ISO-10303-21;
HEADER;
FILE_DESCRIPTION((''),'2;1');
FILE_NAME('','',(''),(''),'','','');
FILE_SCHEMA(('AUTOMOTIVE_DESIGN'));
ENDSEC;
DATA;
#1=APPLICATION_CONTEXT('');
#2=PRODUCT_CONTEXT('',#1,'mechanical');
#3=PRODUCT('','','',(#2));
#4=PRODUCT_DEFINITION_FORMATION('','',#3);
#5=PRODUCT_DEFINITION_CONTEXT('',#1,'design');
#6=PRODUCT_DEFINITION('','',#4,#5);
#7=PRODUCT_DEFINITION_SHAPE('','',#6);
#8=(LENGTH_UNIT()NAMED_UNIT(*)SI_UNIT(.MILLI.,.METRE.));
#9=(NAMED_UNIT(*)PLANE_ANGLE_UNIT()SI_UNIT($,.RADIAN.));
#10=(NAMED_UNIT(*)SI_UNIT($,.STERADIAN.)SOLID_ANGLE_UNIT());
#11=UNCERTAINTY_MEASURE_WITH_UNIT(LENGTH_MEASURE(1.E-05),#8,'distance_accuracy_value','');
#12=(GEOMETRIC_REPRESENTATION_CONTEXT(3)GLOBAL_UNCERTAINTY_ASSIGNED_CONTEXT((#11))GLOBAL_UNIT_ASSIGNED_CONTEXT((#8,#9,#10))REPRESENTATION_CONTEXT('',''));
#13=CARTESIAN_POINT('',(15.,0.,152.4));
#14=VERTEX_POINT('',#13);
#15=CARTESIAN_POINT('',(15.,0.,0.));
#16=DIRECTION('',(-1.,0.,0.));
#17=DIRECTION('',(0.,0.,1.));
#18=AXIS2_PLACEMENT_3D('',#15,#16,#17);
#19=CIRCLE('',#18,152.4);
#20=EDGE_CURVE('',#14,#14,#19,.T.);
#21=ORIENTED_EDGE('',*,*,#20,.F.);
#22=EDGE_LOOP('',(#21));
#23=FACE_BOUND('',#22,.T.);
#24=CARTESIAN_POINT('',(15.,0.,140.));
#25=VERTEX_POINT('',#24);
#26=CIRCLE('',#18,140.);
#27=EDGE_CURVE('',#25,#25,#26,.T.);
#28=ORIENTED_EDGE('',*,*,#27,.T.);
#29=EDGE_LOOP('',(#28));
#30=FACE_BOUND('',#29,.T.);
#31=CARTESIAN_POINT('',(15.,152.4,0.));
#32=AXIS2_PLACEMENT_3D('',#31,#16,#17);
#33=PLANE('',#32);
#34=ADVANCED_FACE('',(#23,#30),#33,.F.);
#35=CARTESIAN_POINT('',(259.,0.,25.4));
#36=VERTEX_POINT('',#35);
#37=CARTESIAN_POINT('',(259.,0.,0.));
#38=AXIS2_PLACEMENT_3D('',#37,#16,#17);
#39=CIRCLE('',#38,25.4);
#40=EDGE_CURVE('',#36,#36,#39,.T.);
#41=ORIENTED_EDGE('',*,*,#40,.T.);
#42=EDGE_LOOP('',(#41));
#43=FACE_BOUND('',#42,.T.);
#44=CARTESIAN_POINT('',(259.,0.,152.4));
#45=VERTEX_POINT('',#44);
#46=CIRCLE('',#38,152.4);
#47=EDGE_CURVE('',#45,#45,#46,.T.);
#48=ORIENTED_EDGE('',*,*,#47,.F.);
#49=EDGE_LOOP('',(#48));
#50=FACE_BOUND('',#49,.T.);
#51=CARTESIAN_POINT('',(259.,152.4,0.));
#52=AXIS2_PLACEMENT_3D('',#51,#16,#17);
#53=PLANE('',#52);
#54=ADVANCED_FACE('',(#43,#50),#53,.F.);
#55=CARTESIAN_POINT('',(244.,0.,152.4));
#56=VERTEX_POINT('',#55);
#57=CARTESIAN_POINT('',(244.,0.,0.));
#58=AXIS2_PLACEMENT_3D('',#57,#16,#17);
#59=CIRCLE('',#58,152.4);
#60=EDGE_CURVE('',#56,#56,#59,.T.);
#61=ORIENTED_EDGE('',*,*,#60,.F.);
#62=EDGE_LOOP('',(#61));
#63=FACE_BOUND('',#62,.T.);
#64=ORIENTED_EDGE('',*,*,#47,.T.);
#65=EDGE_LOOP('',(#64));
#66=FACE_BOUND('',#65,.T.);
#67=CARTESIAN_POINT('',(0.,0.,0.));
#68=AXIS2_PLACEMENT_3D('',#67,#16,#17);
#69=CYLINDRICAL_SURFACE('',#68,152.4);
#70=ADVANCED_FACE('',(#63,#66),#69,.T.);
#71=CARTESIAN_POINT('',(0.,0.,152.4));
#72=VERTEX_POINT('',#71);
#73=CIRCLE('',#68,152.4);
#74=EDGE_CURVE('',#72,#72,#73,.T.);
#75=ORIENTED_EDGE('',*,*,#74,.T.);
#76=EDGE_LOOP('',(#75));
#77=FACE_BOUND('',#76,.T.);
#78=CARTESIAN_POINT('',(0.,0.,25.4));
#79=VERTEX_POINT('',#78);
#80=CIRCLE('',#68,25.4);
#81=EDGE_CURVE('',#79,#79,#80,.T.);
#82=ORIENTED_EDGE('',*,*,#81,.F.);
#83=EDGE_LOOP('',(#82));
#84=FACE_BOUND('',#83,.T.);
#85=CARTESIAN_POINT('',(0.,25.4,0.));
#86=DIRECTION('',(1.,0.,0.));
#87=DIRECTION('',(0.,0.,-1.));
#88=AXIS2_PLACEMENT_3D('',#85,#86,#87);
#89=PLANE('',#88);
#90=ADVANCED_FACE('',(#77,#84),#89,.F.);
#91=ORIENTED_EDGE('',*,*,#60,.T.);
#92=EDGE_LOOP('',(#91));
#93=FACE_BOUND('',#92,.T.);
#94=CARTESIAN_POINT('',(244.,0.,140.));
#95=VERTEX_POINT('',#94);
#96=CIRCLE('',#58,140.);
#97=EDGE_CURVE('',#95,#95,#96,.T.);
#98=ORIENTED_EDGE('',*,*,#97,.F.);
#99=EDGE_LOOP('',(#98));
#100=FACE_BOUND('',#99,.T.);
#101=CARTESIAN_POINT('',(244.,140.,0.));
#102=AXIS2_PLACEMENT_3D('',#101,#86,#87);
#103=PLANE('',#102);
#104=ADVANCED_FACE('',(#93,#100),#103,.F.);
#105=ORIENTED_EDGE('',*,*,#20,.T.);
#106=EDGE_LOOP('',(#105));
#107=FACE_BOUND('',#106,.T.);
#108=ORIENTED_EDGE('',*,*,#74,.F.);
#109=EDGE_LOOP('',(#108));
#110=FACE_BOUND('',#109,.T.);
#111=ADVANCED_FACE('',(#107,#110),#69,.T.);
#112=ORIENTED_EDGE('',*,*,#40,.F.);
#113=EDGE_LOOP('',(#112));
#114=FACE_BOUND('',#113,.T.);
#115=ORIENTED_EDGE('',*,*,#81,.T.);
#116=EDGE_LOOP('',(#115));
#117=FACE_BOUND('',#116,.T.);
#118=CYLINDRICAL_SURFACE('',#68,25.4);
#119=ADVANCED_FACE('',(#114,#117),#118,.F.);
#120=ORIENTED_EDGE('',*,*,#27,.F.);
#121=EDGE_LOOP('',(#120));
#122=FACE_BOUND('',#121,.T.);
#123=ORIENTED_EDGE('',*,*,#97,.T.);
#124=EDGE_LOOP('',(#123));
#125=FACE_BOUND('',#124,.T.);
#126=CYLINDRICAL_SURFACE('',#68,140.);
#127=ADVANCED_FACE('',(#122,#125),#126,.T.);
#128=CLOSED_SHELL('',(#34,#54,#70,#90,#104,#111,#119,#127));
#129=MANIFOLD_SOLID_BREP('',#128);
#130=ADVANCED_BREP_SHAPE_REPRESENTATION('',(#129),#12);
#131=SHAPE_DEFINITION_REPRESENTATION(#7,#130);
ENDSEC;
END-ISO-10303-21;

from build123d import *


with BuildPart() as part:
    # Sketch1 → Revolve1 (revolve)
    with BuildSketch(Plane.XY, mode=Mode.PRIVATE) as revolve1_sk:
        Polygon((0, 25.4), (0, 152.4), (15, 152.4), (15, 140), (244, 140), (244, 152.4), (259, 152.4), (259, 25.4), align=None)
    revolve(revolve1_sk.sketch.rotate(Axis((0, 0, 0), (1, 0, 0)), 90), axis=Axis((0, 0, 0), (1, 0, 0)))


solid = part.part
